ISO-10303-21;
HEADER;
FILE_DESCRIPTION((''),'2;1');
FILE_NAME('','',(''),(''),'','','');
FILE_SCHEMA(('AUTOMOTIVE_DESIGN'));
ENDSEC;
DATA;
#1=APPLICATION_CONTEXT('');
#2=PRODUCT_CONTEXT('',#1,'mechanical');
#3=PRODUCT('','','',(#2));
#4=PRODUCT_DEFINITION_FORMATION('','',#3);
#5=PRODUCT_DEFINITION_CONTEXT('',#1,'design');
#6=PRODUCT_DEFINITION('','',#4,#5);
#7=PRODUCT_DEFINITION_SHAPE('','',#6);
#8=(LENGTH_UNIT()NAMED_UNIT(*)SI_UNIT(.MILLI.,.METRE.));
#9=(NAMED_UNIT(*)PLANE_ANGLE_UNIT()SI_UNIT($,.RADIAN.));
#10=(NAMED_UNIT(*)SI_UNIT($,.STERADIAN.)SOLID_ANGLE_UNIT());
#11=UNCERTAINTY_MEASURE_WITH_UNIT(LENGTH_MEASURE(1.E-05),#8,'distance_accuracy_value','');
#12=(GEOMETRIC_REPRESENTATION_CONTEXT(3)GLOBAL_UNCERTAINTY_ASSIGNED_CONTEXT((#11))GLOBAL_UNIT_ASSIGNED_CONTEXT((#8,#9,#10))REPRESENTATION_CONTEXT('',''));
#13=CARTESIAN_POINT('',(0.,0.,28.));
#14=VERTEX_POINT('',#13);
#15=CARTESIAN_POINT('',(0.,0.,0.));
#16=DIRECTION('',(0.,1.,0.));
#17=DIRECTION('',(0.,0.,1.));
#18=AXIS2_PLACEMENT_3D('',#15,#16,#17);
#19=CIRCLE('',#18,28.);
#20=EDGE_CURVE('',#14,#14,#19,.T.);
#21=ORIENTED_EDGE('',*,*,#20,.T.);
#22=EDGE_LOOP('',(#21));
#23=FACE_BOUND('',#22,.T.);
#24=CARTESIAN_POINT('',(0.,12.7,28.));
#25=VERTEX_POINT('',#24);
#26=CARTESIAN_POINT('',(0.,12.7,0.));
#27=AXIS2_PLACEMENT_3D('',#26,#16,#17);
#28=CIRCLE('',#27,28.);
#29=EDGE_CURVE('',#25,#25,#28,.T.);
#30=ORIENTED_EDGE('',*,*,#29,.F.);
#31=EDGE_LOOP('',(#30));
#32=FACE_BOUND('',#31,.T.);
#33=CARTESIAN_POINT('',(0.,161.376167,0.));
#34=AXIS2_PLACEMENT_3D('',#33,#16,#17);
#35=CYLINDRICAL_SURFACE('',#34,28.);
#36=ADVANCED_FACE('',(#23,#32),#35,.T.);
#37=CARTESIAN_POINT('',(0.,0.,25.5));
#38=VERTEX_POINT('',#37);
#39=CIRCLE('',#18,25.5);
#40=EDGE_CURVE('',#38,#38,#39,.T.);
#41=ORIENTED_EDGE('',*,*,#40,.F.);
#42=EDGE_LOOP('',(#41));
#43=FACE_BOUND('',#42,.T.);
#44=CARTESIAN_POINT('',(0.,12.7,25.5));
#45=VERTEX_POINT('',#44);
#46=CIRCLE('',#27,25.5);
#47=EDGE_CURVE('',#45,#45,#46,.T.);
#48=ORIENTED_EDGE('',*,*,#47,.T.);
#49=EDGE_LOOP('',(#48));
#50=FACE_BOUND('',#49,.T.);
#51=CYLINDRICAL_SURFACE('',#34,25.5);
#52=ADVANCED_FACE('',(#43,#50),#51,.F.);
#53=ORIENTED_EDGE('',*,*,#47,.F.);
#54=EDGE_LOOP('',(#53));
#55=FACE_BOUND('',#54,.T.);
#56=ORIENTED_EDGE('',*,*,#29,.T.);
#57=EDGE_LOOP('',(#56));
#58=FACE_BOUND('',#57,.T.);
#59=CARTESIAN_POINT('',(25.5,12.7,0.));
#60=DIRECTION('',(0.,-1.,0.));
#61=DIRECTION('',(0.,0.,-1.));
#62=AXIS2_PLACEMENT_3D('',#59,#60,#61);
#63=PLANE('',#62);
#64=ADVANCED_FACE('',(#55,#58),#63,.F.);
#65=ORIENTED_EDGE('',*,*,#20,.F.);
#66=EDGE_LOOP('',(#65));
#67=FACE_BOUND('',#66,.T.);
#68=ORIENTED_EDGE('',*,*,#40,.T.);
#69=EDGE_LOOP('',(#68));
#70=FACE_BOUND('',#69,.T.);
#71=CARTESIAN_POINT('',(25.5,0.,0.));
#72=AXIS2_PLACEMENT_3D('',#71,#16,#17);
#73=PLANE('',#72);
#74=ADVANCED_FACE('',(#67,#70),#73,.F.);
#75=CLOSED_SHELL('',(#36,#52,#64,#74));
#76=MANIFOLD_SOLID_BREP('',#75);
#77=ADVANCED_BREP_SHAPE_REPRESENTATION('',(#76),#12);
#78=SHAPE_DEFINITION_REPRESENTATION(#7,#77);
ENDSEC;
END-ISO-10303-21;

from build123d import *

# Parameters (mm, degrees)
SKETCH_1_W = 2.5
SKETCH_1_H = 12.7


with BuildPart() as part:
    # 草图1 → 旋转1 (revolve)
    with BuildSketch(Plane.XY, mode=Mode.PRIVATE) as revolve_1_sk:
        with Locations((26.75, 6.35)):
            Rectangle(SKETCH_1_W, SKETCH_1_H)
    revolve(revolve_1_sk.sketch.rotate(Axis((0, 161.376166943, 0), (0, -1, 0)), 90), axis=Axis((0, 161.376166943, 0), (0, -1, 0)))  # turned: the seam where the file's is


solid = part.part
